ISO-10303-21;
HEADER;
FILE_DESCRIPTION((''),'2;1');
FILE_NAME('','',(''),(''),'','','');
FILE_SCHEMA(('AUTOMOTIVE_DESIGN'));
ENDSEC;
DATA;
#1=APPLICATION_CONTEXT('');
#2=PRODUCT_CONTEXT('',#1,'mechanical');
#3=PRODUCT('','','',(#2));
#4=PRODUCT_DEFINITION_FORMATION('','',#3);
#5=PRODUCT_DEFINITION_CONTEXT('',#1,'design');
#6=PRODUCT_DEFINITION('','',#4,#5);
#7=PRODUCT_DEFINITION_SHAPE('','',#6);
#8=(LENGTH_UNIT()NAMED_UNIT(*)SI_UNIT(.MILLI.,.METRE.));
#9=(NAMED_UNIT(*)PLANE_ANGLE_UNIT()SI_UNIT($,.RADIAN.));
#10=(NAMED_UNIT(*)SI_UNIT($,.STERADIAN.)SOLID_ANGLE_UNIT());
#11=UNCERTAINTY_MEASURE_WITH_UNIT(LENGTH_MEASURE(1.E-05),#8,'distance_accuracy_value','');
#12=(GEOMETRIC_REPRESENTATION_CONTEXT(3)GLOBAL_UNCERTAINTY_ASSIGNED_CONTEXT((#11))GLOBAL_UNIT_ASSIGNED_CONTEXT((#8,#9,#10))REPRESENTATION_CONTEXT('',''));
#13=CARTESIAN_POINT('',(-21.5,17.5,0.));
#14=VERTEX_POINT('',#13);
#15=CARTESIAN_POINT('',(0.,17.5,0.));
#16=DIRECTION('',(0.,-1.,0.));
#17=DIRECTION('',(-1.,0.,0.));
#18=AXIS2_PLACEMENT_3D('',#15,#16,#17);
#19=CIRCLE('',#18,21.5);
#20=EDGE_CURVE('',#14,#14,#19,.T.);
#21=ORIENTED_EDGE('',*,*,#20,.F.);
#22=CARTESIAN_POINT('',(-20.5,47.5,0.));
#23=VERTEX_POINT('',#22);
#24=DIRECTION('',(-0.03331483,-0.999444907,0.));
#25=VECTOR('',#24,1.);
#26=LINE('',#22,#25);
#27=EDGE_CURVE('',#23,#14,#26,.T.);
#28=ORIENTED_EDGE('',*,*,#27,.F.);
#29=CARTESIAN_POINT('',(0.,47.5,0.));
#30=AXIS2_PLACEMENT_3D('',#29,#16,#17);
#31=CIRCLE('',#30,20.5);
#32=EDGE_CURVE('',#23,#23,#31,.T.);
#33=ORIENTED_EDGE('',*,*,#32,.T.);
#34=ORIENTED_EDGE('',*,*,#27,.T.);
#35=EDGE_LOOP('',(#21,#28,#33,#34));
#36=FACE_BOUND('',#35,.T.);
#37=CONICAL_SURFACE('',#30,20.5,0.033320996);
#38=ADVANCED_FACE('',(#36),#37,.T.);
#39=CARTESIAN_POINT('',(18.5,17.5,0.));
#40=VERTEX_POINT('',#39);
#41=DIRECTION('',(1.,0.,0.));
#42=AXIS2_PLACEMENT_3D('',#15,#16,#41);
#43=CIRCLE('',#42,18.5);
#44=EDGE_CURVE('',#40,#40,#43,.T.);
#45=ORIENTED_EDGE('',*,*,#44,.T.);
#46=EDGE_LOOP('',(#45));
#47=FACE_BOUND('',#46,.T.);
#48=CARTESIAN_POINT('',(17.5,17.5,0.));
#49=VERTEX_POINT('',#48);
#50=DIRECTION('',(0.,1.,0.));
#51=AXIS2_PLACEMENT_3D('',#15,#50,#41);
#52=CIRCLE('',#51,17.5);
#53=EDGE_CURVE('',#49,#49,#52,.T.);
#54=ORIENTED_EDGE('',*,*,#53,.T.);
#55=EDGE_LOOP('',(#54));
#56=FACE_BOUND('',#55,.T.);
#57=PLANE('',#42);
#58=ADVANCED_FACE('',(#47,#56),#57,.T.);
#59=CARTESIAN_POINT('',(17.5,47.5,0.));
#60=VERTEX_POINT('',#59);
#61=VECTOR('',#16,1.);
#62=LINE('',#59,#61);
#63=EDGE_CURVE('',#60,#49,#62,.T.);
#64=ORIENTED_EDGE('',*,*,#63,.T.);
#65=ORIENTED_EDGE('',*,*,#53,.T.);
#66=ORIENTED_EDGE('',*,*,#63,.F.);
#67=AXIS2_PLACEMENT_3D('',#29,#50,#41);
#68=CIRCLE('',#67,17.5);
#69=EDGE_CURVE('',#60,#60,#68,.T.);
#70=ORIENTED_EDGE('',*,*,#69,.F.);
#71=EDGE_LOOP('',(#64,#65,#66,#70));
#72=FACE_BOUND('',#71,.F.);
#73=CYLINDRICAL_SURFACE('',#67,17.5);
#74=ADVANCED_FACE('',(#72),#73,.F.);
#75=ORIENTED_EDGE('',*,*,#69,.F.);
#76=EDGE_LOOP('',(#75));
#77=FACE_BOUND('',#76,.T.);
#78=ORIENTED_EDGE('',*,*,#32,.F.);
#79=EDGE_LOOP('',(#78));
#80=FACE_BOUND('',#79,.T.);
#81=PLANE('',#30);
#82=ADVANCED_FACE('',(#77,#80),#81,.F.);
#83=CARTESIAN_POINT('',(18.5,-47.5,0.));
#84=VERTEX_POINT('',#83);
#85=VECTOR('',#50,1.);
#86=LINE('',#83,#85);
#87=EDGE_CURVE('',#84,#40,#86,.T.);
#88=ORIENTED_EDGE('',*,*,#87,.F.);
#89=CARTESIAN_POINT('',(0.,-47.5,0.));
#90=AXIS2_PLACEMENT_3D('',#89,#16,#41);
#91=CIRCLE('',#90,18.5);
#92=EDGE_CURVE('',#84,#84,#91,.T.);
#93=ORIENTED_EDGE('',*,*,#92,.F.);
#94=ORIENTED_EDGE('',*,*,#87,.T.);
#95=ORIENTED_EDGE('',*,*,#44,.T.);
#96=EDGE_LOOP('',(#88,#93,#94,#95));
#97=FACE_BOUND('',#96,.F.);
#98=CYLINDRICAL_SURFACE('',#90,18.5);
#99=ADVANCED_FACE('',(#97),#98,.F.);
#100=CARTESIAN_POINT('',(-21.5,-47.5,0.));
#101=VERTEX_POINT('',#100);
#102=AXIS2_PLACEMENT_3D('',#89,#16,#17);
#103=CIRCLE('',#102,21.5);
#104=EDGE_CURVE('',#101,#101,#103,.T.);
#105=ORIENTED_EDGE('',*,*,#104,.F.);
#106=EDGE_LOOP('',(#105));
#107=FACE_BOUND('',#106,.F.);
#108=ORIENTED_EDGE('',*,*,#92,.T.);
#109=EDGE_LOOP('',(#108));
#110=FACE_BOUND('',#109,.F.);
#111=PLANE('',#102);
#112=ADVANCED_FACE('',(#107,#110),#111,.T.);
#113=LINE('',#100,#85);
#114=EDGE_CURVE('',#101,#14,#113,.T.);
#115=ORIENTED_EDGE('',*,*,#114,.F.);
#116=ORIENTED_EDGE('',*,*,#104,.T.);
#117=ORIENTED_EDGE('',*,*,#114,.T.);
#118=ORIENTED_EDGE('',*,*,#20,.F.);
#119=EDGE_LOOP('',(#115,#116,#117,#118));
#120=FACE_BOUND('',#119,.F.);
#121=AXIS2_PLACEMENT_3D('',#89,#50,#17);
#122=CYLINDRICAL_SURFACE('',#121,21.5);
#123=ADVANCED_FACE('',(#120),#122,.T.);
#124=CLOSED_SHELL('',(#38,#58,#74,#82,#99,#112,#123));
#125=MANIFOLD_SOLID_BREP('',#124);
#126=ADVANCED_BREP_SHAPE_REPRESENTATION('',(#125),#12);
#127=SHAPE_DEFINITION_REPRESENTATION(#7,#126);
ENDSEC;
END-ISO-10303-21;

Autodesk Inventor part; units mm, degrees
ref_plane "YZ Plane" through (0, 0, 0) normal (1, 0, 0) x (0, 1, 0)
ref_plane "XZ Plane" through (0, 0, 0) normal (0, 1, 0) x (-1, 0, 0)
ref_plane "XY Plane" through (0, 0, 0) normal (0, 0, 1) x (1, 0, 0)
sketch "Boceto1" plane through (0, 0, 0) normal (0, 0, 1) x (1, 0, 0)
  line L0 (0, 132.9544) -> (0, -187.2356) construction
  line L1 (-210.4029, 0) -> (220.8608, 0) construction
  line L2 (0, 47.5) -> (-20.5, 47.5)
  line L3 (0, -47.5) -> (-21.5, -47.5)
  line L4 (-21.5, -47.5) -> (-21.5, 65.7423) construction
  line L5 (-20.5, 47.5) -> (-21.5, 17.5)
  line L6 (-21.5, -47.5) -> (-21.5, 17.5)
  line L7 (0, 47.5) -> (0, -47.5)
  point P0 (0, 0)
  point P1 (-10.75, -47.5)
  point P2 (-10.25, 47.5)
  dimension "d0" = 20.5
  dimension "d1" = 21.5
  dimension "d2" = 95
  dimension "d3" = 30
revolve "Revolución1" add sketch "Boceto1" angle 360 about axis through (0, 132.9544, 0) along (0, -1, 0)
sketch "Boceto2" plane through (0, 47.5, 0) normal (0, 1, 0) x (1, 0, 0)
  circle A0 centre (0, 0) radius 17.5
  dimension "d5" = 35
extrude "Extrusión1" cut sketch "Boceto2" against normal blind 150
sketch "Boceto3" plane through (0, -47.5, 0) normal (0, -1, 0) x (1, 0, 0)
  circle A0 centre (0, 0) radius 18.5
  dimension "d8" = 37
extrude "Extrusión2" cut sketch "Boceto3" against normal blind 65
